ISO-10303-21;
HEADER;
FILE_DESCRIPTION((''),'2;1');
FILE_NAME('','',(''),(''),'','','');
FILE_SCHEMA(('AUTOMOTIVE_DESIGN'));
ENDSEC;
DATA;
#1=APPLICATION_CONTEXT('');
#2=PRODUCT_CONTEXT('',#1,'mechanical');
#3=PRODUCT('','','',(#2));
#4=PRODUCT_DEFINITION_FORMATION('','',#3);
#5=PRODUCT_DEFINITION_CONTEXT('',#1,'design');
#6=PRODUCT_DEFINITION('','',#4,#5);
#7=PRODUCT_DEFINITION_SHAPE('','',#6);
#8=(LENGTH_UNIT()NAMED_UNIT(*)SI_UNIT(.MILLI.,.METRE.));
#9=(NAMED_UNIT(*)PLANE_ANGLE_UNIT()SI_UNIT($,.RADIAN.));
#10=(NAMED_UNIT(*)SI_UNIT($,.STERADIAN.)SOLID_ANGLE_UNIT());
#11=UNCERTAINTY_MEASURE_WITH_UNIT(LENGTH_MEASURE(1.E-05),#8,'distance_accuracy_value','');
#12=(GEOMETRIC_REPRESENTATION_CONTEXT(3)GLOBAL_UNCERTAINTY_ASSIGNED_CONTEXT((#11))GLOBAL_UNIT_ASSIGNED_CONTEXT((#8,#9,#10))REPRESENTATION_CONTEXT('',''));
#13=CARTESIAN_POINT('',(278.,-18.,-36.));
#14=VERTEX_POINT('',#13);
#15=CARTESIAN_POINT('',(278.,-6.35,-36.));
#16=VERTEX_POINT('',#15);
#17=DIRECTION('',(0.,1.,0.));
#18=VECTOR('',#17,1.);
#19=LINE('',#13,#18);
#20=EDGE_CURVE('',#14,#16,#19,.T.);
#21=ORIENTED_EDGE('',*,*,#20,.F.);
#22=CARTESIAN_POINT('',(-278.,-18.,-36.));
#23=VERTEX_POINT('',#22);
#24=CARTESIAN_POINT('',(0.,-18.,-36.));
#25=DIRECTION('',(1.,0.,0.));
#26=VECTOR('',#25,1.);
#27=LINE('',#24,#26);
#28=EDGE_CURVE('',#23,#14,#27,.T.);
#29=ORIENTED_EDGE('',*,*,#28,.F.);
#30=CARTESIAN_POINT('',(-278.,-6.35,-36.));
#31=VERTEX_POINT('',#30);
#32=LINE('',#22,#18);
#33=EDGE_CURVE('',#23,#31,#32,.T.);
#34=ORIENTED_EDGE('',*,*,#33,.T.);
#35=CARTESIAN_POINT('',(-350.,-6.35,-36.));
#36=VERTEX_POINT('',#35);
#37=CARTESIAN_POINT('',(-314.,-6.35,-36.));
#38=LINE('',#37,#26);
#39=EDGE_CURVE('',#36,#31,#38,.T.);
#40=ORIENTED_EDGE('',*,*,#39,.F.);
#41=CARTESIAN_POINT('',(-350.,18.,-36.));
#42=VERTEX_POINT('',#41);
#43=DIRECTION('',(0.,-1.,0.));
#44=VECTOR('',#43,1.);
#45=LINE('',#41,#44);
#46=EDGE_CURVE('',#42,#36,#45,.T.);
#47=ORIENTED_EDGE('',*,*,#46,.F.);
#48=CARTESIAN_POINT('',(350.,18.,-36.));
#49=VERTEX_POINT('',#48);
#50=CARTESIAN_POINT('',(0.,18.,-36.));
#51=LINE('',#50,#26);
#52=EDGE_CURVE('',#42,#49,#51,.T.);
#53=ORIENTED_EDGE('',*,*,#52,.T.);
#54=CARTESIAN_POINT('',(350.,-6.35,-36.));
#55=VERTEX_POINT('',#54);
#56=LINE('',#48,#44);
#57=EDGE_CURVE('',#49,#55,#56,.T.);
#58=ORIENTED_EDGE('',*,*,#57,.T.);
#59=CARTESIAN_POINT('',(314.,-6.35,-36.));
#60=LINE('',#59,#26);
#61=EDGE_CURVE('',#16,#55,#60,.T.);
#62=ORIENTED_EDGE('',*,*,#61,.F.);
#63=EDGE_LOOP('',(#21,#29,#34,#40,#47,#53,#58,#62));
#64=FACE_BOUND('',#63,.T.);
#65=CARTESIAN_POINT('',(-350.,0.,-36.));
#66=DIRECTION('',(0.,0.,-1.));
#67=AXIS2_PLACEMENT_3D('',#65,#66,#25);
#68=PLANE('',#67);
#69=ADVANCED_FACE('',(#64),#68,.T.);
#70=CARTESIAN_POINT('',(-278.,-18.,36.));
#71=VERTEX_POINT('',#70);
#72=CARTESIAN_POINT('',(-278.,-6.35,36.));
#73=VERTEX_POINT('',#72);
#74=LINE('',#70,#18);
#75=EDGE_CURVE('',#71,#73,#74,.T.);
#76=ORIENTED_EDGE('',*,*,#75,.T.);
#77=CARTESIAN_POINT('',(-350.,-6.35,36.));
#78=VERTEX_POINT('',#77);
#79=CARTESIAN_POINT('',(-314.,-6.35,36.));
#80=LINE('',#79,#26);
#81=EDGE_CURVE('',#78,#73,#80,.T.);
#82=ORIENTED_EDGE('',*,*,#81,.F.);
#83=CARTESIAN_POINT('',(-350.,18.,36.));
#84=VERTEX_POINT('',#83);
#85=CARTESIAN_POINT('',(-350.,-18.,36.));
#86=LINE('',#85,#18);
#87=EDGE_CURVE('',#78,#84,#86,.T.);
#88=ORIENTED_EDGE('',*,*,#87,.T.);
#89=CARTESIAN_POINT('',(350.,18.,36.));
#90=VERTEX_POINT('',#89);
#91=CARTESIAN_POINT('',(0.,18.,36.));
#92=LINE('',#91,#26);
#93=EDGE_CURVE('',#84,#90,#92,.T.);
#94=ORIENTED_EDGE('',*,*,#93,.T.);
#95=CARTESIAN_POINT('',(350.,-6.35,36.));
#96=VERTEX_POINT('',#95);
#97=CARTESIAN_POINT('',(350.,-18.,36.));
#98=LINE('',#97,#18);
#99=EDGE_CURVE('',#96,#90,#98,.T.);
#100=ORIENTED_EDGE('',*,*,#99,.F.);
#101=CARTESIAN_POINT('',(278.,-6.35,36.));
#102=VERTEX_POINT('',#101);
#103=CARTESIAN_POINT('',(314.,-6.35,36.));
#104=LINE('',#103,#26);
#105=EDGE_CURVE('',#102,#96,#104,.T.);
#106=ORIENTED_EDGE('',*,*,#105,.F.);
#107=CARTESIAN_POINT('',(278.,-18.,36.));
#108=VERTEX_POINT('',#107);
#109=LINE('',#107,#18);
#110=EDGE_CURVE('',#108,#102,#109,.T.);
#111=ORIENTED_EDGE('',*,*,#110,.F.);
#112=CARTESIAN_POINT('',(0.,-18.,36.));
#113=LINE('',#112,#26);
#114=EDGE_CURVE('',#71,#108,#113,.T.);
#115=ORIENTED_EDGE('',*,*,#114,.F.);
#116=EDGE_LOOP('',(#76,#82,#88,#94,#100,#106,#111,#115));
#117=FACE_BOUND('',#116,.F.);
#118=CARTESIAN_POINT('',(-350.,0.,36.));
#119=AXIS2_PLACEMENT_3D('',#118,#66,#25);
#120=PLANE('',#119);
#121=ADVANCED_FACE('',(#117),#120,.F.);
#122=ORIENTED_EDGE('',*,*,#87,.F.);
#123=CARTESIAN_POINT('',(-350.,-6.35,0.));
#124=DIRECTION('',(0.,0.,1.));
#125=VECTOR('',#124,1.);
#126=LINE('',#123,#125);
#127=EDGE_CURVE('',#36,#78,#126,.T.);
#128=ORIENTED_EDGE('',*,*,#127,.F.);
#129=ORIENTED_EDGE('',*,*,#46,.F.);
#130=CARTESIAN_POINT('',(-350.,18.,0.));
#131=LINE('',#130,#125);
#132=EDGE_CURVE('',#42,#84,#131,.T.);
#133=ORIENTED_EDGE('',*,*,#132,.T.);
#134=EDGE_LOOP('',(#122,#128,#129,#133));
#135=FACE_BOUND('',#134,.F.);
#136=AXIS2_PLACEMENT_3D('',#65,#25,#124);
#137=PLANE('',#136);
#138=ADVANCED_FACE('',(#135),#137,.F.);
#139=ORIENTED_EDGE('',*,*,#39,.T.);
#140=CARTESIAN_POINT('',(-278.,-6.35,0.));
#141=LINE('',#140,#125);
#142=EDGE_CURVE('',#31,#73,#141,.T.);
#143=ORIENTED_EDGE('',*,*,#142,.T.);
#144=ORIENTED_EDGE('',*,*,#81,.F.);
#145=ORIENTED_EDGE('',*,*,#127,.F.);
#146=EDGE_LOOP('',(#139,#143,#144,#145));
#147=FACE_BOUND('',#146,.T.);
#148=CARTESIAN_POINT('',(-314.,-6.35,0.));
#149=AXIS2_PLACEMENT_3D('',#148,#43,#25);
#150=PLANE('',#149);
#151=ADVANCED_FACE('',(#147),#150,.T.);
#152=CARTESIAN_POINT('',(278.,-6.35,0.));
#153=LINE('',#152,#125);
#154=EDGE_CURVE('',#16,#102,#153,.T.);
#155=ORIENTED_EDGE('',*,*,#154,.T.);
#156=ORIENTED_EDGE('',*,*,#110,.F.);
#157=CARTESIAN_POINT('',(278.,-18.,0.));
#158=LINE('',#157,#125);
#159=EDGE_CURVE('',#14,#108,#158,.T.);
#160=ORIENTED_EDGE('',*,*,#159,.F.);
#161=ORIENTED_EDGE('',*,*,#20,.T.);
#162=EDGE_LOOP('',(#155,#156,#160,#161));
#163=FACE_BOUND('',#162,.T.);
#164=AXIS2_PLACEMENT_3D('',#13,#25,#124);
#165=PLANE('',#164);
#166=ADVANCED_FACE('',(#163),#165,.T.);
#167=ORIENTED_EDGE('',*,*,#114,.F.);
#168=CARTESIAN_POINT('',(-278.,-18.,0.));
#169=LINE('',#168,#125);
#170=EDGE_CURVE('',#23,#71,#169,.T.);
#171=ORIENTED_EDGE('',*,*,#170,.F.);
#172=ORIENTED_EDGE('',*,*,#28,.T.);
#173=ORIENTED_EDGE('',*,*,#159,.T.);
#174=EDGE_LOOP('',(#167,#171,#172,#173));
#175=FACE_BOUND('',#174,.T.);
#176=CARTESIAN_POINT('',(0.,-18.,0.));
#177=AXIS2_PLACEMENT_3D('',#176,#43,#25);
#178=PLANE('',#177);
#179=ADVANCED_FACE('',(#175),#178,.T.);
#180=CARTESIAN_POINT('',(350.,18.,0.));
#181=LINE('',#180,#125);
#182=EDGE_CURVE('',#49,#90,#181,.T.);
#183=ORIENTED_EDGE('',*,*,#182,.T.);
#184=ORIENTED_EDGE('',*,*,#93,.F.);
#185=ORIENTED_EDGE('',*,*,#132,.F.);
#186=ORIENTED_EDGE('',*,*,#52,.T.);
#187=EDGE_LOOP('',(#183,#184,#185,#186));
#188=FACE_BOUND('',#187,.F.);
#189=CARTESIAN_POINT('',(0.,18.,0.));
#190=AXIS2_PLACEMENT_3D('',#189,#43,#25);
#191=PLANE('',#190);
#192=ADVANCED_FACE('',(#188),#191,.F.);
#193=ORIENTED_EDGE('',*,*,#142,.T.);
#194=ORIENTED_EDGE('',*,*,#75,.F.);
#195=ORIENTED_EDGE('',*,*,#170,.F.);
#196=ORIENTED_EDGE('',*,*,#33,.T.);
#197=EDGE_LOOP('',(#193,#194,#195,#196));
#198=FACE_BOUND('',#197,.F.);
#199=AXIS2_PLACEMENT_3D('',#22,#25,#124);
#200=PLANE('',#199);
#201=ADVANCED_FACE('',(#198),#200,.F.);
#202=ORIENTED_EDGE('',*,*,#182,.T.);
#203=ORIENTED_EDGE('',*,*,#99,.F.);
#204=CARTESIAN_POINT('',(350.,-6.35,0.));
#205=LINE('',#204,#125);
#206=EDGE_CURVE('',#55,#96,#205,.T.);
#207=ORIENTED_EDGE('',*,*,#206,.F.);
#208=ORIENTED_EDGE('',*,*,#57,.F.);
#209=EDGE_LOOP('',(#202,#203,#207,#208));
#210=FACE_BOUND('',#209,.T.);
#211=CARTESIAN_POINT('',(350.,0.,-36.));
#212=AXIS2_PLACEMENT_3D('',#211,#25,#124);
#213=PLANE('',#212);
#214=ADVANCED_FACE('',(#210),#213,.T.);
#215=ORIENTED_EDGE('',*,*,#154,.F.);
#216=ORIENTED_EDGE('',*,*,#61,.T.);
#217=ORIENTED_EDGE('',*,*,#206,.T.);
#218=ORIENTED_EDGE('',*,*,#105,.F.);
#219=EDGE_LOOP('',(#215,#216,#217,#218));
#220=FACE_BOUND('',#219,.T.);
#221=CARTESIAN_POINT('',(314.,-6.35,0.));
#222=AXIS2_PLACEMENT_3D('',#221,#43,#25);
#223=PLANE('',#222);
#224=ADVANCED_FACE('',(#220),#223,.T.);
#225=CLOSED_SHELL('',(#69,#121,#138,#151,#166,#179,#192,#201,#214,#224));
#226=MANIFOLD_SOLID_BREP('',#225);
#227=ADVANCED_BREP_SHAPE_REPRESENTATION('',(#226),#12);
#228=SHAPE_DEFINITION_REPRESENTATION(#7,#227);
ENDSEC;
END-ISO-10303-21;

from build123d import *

# Parameters (mm, degrees)
F0_W     = 700
F0_H     = 72
F1_DEPTH = 18
F2_W     = 72
F2_H     = 72
F3_DEPTH = 11.65


with BuildPart() as f1:
    # F0 (on Front) → F1 (new body, symmetric)
    with BuildSketch(Plane.XZ):
        Rectangle(F0_W, F0_H)
    extrude(amount=F1_DEPTH, both=True)

    # F2 (on face) → F3 (cut)
    with BuildSketch(Plane.XZ.offset(18)):
        with Locations((-314, 0)):
            Rectangle(F2_W, F2_H)
        with Locations((314, 0)):
            Rectangle(F2_W, F2_H)
    extrude(amount=-F3_DEPTH, mode=Mode.SUBTRACT)


solid = f1.part
